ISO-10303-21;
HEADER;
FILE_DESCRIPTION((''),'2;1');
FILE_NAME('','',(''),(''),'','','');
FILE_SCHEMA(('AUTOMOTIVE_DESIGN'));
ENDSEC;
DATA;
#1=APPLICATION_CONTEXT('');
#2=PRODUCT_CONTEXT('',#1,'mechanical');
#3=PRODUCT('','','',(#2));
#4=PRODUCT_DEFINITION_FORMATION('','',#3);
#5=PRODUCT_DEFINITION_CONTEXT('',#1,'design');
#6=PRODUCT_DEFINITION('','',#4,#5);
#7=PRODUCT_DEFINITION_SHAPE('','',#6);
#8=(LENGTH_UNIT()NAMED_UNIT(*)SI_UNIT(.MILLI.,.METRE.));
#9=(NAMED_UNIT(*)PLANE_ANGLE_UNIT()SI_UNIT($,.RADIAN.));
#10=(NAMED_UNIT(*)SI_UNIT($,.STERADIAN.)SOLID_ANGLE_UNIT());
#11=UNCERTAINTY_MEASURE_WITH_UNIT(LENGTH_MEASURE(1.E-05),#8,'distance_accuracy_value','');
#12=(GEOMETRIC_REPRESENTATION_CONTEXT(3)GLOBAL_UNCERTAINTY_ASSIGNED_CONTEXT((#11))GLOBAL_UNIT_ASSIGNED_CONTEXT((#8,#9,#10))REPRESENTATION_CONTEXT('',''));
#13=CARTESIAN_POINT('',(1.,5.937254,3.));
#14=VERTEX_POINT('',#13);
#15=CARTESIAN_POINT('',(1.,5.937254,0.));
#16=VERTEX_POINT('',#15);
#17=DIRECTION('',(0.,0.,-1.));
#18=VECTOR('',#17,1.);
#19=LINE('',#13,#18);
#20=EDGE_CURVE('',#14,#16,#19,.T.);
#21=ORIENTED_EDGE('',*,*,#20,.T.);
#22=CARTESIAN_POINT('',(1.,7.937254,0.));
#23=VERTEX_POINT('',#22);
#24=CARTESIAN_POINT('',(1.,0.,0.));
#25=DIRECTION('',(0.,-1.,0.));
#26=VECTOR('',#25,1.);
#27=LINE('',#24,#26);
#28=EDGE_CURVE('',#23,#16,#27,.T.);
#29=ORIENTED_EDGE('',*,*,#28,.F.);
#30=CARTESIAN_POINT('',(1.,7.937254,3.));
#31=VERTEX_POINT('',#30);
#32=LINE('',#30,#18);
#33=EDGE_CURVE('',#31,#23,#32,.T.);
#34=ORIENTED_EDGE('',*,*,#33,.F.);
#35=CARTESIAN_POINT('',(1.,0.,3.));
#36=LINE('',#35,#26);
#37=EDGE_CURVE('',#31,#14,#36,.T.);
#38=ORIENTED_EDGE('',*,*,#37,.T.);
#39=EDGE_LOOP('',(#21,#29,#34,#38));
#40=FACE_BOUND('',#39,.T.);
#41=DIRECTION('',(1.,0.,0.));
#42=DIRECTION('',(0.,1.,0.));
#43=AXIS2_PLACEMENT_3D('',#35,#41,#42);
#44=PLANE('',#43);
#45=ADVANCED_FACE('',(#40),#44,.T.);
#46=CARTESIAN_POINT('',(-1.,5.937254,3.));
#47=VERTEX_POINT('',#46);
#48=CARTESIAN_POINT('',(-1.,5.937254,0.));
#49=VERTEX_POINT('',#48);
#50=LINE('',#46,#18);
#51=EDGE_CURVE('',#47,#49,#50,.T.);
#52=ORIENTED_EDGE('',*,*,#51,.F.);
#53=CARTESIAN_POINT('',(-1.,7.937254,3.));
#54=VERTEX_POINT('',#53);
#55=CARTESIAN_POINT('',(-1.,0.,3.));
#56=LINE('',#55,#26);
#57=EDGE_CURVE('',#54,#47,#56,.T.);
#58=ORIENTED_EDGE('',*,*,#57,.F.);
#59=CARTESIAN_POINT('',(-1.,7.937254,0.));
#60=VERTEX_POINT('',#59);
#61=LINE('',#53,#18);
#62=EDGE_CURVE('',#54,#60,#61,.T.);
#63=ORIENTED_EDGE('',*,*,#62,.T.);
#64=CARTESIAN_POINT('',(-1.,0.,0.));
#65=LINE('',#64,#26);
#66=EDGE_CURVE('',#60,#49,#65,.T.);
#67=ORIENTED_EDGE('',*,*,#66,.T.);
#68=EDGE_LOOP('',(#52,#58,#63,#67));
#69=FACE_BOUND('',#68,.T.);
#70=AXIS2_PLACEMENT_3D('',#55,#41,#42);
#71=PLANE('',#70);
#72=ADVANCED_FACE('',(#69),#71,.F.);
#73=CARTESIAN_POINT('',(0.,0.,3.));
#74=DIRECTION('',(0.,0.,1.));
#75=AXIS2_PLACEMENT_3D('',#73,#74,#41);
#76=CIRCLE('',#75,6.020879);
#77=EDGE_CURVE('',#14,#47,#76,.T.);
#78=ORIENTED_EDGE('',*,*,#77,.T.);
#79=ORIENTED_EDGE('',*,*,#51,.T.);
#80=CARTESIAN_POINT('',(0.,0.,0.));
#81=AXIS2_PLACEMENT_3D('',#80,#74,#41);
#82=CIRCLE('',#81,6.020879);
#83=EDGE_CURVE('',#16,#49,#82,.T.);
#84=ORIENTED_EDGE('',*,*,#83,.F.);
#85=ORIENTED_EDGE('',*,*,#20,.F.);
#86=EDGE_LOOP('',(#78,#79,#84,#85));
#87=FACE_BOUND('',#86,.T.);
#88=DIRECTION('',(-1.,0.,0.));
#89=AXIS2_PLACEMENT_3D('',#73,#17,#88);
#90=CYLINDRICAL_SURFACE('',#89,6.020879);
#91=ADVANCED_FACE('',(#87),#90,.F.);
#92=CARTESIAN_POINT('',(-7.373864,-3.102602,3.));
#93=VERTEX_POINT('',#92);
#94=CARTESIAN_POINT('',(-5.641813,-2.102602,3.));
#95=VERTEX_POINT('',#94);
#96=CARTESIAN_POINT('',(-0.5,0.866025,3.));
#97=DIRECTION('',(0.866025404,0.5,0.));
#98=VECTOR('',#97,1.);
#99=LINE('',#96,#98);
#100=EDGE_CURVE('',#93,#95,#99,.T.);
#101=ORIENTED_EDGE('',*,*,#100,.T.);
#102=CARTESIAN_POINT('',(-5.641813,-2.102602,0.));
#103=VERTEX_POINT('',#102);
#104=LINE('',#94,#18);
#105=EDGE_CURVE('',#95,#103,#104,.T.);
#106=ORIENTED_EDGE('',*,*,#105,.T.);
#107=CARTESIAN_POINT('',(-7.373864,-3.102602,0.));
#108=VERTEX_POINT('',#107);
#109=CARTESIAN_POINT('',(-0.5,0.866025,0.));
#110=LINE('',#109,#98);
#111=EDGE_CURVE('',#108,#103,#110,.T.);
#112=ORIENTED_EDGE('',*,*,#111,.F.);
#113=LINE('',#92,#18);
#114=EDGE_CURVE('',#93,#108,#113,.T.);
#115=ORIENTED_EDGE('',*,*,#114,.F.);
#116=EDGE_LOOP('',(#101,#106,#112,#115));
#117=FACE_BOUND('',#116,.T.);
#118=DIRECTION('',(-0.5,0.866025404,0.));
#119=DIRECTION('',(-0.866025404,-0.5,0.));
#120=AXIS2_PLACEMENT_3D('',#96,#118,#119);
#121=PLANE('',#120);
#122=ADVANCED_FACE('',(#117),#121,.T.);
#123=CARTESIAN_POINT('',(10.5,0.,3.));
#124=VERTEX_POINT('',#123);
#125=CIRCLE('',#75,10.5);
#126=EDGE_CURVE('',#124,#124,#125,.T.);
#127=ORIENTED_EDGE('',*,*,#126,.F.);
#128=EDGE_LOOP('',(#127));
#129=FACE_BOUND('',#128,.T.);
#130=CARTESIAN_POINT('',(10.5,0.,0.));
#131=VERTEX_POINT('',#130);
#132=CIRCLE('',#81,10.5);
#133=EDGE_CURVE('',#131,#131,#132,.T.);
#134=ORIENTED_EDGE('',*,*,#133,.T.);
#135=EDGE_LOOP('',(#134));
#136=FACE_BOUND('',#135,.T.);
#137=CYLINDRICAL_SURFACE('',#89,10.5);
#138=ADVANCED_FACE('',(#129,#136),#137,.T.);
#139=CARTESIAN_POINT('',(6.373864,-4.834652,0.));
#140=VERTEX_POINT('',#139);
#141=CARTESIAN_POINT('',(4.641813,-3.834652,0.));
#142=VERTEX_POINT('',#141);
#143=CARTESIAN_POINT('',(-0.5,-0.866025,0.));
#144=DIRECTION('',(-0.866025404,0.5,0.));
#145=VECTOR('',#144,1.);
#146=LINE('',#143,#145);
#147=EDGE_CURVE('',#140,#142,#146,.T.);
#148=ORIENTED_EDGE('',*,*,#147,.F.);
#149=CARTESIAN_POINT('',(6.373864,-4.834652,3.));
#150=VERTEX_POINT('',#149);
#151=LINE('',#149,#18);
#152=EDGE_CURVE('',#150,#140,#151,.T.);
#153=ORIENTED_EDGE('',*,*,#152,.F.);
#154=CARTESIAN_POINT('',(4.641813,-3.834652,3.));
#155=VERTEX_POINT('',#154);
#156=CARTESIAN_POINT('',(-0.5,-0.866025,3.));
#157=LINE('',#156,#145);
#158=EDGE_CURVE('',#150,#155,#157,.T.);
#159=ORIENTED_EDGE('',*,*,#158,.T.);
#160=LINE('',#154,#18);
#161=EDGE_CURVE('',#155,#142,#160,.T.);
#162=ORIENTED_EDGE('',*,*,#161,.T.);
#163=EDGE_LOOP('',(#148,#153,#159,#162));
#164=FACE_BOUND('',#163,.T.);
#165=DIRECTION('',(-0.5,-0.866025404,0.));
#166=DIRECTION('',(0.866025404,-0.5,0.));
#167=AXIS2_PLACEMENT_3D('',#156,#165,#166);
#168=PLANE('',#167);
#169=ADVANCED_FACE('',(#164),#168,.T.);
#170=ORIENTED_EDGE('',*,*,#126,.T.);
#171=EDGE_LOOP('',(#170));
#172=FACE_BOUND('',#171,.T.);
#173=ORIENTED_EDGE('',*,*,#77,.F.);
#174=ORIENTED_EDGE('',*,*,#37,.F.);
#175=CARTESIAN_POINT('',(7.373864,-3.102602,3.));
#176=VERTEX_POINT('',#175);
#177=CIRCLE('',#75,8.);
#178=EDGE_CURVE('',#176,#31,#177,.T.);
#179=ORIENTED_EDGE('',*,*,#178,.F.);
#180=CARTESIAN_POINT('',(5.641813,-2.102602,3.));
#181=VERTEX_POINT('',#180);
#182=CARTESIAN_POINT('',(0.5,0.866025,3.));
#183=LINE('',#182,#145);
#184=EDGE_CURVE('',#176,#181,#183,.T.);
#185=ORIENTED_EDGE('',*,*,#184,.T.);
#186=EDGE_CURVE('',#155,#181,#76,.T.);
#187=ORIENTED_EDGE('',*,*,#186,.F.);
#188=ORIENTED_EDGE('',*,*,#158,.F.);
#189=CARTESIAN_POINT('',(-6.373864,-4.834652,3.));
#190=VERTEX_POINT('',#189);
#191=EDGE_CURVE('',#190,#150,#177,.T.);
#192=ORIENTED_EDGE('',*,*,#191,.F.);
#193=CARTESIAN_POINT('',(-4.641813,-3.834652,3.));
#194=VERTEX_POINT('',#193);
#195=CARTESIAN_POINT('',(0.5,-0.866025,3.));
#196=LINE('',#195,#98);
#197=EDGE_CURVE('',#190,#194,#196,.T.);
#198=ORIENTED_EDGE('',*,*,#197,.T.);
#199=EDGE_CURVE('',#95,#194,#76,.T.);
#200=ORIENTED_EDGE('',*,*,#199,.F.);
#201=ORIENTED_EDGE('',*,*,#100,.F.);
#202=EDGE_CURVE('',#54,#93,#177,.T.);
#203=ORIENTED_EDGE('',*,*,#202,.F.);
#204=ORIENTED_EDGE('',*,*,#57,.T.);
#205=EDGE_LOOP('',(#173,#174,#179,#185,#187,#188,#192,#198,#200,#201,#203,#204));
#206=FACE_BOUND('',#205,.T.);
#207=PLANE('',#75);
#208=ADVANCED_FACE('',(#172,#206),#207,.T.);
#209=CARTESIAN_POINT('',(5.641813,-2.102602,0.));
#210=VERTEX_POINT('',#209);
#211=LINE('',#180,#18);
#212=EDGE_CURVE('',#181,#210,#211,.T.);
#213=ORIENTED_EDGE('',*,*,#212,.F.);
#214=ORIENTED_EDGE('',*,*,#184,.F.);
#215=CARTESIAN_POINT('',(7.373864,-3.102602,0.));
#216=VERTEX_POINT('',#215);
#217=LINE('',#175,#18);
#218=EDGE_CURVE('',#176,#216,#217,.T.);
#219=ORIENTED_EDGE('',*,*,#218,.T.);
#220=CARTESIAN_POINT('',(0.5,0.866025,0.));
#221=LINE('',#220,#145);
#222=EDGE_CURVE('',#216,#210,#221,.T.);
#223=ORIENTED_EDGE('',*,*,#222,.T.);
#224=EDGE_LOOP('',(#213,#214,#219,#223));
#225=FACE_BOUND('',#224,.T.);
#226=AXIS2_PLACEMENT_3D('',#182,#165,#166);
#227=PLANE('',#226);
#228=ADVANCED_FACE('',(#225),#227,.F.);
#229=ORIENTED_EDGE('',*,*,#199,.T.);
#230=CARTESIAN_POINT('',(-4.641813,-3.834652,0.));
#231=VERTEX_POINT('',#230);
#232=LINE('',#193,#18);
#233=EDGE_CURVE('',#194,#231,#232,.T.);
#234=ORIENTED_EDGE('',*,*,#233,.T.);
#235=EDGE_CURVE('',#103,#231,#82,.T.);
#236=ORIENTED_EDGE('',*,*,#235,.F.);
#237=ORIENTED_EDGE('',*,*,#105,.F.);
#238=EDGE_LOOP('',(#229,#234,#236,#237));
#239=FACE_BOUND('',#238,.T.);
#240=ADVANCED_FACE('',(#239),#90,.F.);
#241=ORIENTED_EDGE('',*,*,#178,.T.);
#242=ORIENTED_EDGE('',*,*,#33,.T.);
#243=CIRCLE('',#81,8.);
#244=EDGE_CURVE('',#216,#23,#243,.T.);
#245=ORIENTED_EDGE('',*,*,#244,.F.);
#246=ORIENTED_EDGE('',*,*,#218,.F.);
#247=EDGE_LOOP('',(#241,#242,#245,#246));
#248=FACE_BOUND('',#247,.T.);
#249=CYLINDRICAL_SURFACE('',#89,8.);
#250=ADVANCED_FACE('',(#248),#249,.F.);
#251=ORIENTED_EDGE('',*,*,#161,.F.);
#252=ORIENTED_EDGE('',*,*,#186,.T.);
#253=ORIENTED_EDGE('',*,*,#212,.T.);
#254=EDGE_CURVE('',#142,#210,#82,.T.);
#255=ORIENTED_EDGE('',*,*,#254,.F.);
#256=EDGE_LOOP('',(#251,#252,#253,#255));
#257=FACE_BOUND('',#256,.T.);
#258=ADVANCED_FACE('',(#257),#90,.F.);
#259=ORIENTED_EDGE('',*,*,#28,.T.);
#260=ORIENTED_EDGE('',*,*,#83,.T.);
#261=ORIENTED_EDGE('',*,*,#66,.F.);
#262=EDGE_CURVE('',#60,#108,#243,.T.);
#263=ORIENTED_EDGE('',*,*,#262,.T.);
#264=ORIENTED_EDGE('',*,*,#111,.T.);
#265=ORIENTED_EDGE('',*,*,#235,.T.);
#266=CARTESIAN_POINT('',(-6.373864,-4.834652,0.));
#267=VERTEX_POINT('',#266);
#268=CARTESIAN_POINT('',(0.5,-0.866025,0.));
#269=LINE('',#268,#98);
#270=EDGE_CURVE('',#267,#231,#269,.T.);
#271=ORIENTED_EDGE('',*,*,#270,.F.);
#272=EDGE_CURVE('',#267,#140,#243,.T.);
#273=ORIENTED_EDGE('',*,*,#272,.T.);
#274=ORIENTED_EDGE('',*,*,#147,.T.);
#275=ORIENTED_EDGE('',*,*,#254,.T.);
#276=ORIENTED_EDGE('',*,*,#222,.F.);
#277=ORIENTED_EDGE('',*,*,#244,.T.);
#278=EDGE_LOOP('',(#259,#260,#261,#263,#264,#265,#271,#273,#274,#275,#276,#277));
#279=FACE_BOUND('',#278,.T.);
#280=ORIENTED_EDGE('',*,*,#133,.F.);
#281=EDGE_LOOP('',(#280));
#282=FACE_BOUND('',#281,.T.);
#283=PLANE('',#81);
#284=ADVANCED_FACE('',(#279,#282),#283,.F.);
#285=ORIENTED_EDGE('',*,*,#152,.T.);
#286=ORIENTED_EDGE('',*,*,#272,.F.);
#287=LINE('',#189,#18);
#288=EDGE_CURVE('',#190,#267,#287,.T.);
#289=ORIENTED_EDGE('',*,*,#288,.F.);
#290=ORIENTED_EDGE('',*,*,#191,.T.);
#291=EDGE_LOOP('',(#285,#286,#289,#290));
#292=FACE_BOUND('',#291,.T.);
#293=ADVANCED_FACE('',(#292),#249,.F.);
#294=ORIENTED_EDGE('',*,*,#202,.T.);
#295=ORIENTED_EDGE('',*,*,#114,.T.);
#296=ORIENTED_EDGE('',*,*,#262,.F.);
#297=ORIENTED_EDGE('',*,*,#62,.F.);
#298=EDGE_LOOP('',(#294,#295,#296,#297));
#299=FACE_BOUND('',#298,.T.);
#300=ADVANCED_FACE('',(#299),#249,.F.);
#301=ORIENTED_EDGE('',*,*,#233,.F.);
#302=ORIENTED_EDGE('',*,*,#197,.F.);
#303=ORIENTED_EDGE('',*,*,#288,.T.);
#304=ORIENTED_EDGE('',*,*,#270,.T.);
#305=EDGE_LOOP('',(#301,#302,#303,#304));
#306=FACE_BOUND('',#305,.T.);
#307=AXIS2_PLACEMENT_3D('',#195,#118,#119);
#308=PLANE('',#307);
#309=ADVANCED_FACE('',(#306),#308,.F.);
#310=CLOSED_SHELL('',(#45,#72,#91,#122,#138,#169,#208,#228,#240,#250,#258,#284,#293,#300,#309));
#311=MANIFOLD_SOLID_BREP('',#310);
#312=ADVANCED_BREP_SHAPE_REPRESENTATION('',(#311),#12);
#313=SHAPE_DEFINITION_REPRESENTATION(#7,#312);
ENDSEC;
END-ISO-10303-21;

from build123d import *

# Parameters (mm, degrees)
SKETCH1_R           = 10.5
SKETCH1_R_2         = 8
BOSS_EXTRUDE1_DEPTH = 3


with BuildPart() as part:
    # Sketch1 → Boss-Extrude1 (new body)
    # profile 1 of 4: a face of its own
    with BuildSketch(Plane.XY):
        Circle(SKETCH1_R)
        Circle(SKETCH1_R_2, mode=Mode.SUBTRACT)
    # profile 2 of 4: a face of its own
    with BuildSketch(Plane.XY):
        with BuildLine():
            ThreePointArc((1, 7.937253933), (0, 8), (-1, 7.937253933))
            Line((-1, 7.937253933), (-1, 5.937253933))
            ThreePointArc((-1, 5.937253933), (0, 6.020879028), (1, 5.937253933))
            Line((1, 5.937253933), (1, 7.937253933))
        make_face()
    # profile 3 of 4: a face of its own
    with BuildSketch(Plane.XY):
        with BuildLine():
            ThreePointArc((6.373863542, -4.83465237), (6.92820323, -4), (7.373863542, -3.102601563))
            Line((7.373863542, -3.102601563), (5.641812735, -2.102601563))
            ThreePointArc((5.641812735, -2.102601563), (5.214234191, -3.010439514), (4.641812735, -3.83465237))
            Line((4.641812735, -3.83465237), (6.373863542, -4.83465237))
        make_face()
    # profile 4 of 4: a face of its own
    with BuildSketch(Plane.XY):
        with BuildLine():
            Line((-5.641812735, -2.102601563), (-7.373863542, -3.102601563))
            ThreePointArc((-7.373863542, -3.102601563), (-6.92820323, -4), (-6.373863542, -4.83465237))
            Line((-6.373863542, -4.83465237), (-4.641812735, -3.83465237))
            ThreePointArc((-4.641812735, -3.83465237), (-5.214234191, -3.010439514), (-5.641812735, -2.102601563))
        make_face()
    extrude(amount=BOSS_EXTRUDE1_DEPTH)


solid = part.part
